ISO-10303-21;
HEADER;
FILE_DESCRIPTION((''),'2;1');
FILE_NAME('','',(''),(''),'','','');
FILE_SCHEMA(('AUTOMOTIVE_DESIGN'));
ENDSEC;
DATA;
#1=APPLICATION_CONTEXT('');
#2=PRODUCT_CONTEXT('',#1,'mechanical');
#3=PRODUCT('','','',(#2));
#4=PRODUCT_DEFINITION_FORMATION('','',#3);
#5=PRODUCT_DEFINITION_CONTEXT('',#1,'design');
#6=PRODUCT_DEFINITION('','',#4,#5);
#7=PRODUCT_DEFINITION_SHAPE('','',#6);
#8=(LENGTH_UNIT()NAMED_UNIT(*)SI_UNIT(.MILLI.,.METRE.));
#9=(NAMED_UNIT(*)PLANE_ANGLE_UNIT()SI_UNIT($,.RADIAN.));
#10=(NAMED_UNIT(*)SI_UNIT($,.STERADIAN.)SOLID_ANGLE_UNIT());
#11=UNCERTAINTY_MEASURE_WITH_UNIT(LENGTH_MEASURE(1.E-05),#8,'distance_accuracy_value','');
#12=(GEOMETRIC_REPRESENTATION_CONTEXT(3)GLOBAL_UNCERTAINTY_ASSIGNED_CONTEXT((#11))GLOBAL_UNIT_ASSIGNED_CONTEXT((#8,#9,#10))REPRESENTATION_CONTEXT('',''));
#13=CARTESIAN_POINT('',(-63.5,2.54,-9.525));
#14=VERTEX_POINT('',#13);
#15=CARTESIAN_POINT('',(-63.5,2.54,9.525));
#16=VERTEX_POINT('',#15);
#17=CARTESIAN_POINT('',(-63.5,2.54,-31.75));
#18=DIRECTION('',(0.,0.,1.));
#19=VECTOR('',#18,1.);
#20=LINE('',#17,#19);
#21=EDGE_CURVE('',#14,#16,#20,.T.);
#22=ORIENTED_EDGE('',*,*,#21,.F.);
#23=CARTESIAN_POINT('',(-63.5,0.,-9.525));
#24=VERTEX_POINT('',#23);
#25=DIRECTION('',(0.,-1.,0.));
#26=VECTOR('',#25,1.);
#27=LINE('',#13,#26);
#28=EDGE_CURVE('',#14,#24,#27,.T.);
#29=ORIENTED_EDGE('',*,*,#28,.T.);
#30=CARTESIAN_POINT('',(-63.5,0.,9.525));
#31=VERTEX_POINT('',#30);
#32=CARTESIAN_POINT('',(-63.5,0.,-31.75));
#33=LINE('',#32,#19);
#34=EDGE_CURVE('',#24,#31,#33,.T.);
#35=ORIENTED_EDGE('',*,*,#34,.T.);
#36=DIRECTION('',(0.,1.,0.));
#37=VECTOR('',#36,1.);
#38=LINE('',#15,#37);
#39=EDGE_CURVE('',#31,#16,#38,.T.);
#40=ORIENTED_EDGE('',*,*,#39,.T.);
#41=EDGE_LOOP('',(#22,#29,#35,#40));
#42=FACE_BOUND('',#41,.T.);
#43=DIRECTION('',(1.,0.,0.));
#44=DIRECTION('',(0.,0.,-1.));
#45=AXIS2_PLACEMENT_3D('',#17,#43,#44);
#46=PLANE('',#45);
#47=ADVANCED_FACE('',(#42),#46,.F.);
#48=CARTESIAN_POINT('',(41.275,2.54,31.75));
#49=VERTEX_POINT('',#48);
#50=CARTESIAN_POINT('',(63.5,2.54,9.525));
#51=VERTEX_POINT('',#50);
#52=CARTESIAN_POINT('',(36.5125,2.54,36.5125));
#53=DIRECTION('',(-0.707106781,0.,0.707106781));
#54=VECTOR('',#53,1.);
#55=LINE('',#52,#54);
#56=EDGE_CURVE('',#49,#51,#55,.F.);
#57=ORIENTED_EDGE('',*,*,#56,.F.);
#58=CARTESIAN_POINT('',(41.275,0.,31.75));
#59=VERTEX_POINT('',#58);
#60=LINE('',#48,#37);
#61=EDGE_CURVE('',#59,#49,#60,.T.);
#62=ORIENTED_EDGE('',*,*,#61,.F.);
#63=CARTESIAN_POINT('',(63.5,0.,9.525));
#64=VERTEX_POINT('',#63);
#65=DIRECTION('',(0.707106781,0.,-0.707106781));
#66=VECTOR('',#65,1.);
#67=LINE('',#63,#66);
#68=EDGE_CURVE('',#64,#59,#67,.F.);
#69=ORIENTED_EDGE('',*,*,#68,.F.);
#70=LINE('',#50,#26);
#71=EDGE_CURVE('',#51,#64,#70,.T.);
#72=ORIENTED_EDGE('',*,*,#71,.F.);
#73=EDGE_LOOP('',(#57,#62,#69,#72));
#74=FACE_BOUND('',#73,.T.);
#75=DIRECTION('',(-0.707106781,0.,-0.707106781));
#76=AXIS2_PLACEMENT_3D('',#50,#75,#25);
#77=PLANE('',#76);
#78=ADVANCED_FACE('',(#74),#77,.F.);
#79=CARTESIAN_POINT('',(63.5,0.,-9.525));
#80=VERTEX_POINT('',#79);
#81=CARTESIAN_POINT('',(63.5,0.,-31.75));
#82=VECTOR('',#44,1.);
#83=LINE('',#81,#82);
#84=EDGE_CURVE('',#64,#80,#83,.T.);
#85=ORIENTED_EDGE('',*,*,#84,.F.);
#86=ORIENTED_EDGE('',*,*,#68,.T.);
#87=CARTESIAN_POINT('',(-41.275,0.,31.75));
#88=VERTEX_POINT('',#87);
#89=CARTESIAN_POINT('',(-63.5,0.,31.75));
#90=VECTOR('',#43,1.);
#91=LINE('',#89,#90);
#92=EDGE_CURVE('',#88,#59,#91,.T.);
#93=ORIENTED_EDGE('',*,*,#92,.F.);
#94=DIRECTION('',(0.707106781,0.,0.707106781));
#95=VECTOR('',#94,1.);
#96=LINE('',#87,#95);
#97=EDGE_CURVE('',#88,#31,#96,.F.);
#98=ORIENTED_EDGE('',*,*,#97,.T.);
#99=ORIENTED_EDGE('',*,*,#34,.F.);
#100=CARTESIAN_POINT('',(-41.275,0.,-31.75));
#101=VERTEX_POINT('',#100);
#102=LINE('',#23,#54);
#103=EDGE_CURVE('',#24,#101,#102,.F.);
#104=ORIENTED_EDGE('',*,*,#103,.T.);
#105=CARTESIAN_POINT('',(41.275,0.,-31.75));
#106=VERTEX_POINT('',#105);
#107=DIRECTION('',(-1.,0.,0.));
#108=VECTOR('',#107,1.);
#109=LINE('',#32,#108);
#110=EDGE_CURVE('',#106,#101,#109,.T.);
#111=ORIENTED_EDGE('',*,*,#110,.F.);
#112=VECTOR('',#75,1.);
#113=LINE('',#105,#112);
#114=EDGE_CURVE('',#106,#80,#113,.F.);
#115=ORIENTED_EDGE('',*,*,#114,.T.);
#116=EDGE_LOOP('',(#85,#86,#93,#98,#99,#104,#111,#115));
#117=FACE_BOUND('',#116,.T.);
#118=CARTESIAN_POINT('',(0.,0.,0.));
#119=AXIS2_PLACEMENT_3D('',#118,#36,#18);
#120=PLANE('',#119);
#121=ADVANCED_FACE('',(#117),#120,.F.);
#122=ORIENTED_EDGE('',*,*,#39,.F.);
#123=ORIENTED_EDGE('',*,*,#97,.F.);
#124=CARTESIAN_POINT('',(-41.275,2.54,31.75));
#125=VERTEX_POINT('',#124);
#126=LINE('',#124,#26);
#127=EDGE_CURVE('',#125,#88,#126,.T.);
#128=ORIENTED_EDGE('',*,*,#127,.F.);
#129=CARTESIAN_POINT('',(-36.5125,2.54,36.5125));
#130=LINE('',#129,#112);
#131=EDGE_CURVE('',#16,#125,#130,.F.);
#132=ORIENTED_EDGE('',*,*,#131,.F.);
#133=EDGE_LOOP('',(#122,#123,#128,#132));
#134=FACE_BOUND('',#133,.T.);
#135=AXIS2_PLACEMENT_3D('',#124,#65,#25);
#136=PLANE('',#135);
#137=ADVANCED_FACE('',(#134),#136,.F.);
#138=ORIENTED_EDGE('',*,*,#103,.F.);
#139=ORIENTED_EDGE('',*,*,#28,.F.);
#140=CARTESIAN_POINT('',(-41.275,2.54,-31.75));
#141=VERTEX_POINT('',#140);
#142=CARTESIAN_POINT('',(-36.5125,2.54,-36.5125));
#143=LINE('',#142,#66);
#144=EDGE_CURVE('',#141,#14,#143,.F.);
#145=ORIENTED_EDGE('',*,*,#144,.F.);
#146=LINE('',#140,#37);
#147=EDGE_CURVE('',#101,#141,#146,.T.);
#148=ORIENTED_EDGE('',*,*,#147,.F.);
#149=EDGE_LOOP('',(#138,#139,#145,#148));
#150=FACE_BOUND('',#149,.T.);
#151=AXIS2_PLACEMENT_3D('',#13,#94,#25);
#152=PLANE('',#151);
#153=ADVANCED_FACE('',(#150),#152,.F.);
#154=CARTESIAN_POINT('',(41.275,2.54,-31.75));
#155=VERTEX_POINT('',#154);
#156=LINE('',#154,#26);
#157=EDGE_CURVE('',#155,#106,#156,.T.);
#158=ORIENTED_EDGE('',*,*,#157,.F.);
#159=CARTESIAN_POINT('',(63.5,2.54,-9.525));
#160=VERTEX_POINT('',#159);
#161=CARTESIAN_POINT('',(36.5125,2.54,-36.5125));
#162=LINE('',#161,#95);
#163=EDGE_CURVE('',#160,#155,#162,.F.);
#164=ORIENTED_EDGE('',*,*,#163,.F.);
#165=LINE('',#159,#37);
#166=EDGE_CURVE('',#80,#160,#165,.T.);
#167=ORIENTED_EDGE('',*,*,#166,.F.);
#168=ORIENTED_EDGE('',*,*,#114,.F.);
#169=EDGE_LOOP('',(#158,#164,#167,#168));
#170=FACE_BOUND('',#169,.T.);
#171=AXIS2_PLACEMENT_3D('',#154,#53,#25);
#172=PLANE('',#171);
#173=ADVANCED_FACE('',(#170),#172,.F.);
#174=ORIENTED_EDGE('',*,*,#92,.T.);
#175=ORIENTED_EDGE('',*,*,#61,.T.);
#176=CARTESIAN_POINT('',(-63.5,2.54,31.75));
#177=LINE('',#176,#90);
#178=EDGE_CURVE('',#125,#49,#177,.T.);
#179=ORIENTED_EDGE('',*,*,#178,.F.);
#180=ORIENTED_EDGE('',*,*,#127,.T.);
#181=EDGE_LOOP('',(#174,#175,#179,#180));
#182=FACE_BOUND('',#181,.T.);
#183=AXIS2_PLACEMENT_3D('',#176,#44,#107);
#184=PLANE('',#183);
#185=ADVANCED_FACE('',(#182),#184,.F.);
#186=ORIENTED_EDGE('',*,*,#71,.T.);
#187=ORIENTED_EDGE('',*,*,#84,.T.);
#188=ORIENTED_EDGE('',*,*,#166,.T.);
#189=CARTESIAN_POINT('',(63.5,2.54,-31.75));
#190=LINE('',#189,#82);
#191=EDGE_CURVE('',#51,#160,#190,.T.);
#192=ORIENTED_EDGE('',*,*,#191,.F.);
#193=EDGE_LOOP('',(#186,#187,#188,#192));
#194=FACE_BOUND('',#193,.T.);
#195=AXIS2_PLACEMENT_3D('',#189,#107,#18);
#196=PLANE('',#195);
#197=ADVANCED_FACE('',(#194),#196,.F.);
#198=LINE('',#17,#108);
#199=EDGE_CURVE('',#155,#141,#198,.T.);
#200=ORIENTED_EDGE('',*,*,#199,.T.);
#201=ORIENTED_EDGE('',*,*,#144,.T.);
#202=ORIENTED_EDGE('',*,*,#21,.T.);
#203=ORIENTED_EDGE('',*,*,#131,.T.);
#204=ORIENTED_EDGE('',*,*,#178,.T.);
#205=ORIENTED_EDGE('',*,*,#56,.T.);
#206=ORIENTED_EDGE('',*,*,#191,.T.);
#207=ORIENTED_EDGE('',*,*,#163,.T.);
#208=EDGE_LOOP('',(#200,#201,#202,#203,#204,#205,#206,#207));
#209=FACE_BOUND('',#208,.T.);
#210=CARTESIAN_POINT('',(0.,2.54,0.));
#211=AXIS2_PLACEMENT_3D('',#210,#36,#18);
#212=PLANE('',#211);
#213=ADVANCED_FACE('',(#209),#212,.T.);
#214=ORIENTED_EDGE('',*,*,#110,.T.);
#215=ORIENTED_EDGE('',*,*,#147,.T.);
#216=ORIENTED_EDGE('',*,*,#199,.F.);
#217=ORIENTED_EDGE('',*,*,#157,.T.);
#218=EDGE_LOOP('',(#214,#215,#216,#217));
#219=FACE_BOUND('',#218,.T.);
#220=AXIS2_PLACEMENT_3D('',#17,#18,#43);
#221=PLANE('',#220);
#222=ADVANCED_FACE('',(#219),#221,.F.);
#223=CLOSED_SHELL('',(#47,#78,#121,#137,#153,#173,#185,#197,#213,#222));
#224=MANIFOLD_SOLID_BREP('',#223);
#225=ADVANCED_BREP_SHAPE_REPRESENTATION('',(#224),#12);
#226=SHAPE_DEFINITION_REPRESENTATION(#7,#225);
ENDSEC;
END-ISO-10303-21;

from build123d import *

# Parameters (mm, degrees)
SKETCH1_W           = 127
SKETCH1_H           = 63.5
BOSS_EXTRUDE1_DEPTH = 2.54
CHAMFER1_SIZE       = 22.225


with BuildPart() as part:
    # Sketch1 → Boss-Extrude1 (new body)
    with BuildSketch(Plane(origin=(0, 0, 0), x_dir=(1, 0, 0), z_dir=(0, 1, 0))):
        Rectangle(SKETCH1_W, SKETCH1_H)
    extrude(amount=BOSS_EXTRUDE1_DEPTH)

    # Chamfer1
    chamfer1_edges = [part.edges().sort_by_distance(p)[0] for p in [
        (-63.5, 1.27, -31.75),
        (63.5, 1.27, -31.75),
        (63.5, 1.27, 31.75),
        (-63.5, 1.27, 31.75),
    ]]
    chamfer(chamfer1_edges, length=CHAMFER1_SIZE)


solid = part.part
